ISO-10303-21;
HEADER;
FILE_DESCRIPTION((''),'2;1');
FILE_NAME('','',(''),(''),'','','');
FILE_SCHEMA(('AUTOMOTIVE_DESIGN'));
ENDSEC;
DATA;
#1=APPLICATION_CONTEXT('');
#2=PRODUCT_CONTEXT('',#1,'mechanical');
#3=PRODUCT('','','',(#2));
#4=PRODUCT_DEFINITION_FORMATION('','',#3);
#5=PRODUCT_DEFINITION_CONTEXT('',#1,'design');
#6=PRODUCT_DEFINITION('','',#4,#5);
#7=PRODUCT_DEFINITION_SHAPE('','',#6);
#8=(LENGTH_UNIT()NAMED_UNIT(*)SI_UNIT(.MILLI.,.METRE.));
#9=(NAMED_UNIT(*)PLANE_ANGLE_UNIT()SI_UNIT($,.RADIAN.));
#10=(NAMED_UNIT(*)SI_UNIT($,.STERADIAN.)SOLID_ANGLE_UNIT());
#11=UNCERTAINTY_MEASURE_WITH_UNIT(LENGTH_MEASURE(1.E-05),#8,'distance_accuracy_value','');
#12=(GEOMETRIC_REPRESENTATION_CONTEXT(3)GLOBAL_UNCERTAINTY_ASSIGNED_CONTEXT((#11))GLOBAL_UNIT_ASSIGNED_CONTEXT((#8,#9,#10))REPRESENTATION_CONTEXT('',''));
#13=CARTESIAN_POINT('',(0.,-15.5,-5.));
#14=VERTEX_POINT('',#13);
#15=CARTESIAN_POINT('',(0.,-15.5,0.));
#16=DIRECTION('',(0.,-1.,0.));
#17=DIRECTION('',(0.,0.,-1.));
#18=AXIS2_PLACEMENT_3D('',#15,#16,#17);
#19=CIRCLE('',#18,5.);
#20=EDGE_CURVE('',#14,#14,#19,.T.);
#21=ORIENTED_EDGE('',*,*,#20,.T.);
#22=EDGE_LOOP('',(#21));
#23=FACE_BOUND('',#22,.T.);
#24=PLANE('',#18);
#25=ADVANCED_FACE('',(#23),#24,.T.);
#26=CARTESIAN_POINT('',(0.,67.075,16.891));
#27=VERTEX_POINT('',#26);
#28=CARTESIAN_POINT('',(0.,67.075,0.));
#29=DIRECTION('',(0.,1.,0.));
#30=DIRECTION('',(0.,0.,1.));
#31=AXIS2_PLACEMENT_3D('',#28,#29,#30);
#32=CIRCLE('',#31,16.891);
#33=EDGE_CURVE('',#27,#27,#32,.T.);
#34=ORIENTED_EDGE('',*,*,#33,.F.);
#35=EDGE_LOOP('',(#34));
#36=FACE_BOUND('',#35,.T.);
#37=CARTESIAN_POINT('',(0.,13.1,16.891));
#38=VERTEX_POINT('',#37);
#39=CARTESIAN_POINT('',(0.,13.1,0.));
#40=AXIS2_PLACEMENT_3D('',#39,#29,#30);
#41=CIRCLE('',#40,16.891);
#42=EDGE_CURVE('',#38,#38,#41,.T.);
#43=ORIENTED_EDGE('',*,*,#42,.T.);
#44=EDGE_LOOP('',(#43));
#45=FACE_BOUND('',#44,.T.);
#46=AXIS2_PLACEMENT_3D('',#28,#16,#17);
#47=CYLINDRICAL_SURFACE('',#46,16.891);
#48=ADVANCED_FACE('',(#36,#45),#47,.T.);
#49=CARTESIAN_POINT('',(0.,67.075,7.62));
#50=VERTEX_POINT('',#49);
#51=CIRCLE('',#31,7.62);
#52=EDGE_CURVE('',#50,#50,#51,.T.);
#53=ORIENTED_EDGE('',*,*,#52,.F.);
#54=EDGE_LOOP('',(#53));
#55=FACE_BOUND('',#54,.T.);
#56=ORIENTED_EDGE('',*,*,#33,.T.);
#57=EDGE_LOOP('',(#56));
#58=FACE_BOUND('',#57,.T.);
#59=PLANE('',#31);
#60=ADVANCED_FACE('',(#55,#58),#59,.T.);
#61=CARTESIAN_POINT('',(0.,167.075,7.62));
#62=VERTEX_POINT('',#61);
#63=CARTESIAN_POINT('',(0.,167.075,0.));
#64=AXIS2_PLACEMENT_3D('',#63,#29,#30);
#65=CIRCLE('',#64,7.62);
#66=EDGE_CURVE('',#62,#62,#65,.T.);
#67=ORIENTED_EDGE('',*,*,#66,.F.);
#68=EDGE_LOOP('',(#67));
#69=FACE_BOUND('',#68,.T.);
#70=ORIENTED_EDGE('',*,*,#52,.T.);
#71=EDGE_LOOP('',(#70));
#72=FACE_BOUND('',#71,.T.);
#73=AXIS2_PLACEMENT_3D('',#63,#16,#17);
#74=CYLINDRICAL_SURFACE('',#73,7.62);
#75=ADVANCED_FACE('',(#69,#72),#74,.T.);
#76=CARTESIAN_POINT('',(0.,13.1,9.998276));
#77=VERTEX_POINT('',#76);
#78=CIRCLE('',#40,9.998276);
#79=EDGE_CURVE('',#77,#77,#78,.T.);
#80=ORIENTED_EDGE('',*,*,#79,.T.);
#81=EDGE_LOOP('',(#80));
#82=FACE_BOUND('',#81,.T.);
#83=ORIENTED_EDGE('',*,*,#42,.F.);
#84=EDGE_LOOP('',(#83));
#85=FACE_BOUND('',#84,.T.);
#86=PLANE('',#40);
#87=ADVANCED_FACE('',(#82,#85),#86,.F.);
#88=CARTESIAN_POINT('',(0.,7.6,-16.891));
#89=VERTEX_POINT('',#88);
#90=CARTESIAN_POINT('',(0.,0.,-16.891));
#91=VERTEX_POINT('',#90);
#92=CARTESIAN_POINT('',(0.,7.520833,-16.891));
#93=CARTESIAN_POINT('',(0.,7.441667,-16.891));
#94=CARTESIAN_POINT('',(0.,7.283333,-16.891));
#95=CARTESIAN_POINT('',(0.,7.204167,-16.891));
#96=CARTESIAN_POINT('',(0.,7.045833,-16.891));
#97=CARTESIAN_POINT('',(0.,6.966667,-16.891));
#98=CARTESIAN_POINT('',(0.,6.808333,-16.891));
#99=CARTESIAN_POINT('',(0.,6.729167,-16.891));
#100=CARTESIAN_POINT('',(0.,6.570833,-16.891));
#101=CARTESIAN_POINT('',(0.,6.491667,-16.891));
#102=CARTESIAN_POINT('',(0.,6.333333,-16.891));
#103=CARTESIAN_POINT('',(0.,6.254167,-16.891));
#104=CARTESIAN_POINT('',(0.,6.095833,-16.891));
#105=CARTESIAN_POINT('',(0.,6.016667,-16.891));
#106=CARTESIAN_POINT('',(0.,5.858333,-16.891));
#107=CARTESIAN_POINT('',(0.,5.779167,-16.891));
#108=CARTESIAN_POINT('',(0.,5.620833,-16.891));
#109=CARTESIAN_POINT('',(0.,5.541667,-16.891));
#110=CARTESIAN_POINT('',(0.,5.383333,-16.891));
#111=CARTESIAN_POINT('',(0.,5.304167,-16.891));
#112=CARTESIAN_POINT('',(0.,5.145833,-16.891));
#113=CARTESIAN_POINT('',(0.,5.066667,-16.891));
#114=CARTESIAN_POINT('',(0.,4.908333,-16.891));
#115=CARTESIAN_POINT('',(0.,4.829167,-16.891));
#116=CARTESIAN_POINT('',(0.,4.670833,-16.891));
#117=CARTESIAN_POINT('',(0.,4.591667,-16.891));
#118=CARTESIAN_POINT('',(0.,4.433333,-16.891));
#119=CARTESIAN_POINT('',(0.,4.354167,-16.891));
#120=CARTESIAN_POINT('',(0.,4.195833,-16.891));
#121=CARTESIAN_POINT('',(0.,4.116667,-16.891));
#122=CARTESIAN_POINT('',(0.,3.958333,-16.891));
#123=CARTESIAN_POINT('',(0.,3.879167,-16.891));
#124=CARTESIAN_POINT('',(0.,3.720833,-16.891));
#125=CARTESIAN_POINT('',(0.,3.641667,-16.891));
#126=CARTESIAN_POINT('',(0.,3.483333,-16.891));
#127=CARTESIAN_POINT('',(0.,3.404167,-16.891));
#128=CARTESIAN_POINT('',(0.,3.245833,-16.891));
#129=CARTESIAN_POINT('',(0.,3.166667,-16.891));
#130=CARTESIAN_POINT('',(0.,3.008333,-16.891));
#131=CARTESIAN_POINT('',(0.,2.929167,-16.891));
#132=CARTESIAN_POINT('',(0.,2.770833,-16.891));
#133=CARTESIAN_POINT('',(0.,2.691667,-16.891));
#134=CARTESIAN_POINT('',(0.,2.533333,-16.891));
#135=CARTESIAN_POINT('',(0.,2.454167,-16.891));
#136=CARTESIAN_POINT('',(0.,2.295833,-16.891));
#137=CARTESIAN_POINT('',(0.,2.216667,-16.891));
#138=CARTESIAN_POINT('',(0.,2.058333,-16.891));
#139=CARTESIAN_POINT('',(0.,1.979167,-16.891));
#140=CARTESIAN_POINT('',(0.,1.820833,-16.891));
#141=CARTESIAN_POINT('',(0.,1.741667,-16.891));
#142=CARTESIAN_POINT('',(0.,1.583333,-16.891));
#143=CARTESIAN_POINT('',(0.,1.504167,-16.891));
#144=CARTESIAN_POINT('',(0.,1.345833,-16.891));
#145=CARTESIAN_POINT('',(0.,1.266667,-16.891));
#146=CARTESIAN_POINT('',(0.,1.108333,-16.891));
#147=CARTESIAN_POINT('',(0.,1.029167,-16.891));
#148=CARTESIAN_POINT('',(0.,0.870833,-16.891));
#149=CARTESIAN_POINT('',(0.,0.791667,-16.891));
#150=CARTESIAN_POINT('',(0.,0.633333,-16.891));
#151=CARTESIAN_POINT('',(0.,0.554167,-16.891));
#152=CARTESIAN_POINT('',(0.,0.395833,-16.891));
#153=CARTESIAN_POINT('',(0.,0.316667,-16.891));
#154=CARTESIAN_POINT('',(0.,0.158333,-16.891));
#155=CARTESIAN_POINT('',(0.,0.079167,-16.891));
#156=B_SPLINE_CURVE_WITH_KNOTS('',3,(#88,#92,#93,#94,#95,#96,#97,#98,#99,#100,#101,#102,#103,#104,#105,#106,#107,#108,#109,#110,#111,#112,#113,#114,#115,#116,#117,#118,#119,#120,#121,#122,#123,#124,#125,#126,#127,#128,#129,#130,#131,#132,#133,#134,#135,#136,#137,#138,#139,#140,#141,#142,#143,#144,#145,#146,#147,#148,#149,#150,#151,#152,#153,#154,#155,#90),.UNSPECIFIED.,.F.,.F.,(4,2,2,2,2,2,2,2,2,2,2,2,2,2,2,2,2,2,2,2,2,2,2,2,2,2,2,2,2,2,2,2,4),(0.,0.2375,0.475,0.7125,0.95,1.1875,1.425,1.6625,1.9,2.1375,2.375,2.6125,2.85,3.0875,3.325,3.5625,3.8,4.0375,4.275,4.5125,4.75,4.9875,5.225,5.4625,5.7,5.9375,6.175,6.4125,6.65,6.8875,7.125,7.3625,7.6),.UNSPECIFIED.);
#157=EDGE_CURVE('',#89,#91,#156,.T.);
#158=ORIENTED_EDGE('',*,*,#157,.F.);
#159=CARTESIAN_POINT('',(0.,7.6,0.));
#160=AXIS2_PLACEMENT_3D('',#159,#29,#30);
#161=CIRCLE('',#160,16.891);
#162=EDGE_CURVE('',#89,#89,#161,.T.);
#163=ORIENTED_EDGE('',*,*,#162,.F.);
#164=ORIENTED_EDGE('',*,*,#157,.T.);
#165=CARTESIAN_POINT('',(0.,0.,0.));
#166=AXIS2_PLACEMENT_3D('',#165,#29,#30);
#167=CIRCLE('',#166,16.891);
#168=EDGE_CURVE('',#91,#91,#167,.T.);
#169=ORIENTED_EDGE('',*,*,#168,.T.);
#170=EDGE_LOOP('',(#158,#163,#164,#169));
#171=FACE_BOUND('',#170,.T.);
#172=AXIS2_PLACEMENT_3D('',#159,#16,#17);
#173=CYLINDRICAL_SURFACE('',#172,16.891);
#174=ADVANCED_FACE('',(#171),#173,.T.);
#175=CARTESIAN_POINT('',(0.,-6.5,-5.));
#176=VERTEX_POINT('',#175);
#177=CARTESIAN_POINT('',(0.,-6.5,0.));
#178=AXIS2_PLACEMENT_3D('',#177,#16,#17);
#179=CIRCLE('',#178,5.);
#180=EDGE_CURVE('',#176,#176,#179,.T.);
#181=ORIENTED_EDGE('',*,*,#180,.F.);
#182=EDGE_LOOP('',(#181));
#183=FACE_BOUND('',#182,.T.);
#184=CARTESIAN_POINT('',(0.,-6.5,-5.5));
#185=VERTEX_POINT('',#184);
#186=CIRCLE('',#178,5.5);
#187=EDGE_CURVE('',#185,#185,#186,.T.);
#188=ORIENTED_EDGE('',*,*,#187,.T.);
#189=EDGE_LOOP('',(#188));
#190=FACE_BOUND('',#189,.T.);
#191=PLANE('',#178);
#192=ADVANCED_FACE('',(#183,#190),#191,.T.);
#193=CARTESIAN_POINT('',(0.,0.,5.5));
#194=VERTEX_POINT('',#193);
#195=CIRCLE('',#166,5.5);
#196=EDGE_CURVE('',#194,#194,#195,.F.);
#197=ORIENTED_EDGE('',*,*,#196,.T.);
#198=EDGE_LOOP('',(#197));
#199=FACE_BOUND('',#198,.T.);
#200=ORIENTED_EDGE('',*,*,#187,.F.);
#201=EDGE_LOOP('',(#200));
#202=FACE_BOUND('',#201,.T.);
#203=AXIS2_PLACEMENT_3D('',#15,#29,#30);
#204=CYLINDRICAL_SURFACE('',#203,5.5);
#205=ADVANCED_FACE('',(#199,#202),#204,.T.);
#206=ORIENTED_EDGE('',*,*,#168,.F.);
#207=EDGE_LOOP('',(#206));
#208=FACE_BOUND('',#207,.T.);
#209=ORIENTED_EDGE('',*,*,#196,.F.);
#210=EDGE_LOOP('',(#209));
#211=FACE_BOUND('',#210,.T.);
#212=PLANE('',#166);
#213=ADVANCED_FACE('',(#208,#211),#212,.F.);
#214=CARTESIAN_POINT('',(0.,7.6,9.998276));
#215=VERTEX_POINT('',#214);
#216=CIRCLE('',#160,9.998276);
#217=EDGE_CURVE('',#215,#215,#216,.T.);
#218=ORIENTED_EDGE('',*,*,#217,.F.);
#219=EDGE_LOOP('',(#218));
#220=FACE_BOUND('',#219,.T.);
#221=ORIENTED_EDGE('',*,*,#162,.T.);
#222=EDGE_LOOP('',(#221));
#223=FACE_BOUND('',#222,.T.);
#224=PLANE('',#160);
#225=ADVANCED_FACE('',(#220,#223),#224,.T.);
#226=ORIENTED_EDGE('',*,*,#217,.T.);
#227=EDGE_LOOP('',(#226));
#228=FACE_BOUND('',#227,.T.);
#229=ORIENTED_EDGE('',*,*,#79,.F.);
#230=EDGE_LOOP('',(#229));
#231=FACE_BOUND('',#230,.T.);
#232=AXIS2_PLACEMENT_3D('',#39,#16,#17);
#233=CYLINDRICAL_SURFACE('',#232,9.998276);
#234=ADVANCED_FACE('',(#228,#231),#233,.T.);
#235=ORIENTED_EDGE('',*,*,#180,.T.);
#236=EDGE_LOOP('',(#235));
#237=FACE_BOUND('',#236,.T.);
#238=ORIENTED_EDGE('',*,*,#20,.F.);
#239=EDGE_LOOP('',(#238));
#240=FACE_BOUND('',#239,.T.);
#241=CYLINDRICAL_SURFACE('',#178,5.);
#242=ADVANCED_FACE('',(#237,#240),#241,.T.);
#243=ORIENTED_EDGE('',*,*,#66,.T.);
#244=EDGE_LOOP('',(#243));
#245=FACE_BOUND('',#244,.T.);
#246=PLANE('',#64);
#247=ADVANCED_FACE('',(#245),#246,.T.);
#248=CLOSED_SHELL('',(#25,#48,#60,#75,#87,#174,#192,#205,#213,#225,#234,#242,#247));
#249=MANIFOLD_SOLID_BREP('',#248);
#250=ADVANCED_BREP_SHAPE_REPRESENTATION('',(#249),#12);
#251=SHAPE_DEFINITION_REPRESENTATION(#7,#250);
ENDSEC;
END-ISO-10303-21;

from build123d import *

# Parameters (mm, degrees)
SKETCH1_R           = 16.891
EXTRUDE1_DEPTH      = 7.6
SKETCH2_R           = 9.998276061
EXTRUDE2_DEPTH      = 5.5
SKETCH3_R           = 16.891
EXTRUDE3_DEPTH      = 53.975
SKETCH4_R           = 5.5
BOSS_EXTRUDE1_DEPTH = 15.5
CUT_EXTRUDE1_START  = -9
SKETCH5_R           = 5.5
SKETCH5_R_2         = 5
CUT_EXTRUDE1_DEPTH  = 9
SKETCH6_R           = 7.62
BOSS_EXTRUDE2_DEPTH = 100


with BuildPart() as part:
    # Sketch1 → Extrude1 (new body)
    with BuildSketch(Plane(origin=(0, 0, 0), x_dir=(1, 0, 0), z_dir=(0, 1, 0))):
        with Locations(Location((0, 0, 0), (0, 0, 90))):
            Circle(SKETCH1_R)
    extrude(amount=EXTRUDE1_DEPTH)

    # Sketch2 → Extrude2 (add)
    with BuildSketch(Plane(origin=(0, 7.6, 0), x_dir=(1, 0, 0), z_dir=(0, 1, 0))):
        with Locations(Location((0, 0, 0), (0, 0, 270))):
            Circle(SKETCH2_R)
    extrude(amount=EXTRUDE2_DEPTH)

    # Sketch3 → Extrude3 (add)
    with BuildSketch(Plane(origin=(0, 13.1, 0), x_dir=(1, 0, 0), z_dir=(0, 1, 0))):
        with Locations(Location((0, 0, 0), (0, 0, 90))):
            Circle(SKETCH3_R)
    extrude(amount=EXTRUDE3_DEPTH)

    # Sketch4 → Boss-Extrude1 (add)
    with BuildSketch(Plane.XZ):
        with Locations(Location((0, 0, 0), (0, 0, 90))):
            Circle(SKETCH4_R)
    extrude(amount=BOSS_EXTRUDE1_DEPTH)

    # Sketch5 → Cut-Extrude1 (cut)
    with BuildSketch(Plane.XZ.offset(15.5).offset(CUT_EXTRUDE1_START)):
        with Locations(Location((0, 0, 0), (0, 0, 90))):
            Circle(SKETCH5_R)
        with Locations(Location((0, 0, 0), (0, 0, 270))):
            Circle(SKETCH5_R_2, mode=Mode.SUBTRACT)
    extrude(amount=CUT_EXTRUDE1_DEPTH, mode=Mode.SUBTRACT)

    # Sketch6 → Boss-Extrude2 (add)
    with BuildSketch(Plane(origin=(0, 67.075, 0), x_dir=(-1, 0, 0), z_dir=(0, 1, 0))):
        with Locations(Location((0, 0, 0), (0, 0, 90))):
            Circle(SKETCH6_R)
    extrude(amount=BOSS_EXTRUDE2_DEPTH)


solid = part.part
